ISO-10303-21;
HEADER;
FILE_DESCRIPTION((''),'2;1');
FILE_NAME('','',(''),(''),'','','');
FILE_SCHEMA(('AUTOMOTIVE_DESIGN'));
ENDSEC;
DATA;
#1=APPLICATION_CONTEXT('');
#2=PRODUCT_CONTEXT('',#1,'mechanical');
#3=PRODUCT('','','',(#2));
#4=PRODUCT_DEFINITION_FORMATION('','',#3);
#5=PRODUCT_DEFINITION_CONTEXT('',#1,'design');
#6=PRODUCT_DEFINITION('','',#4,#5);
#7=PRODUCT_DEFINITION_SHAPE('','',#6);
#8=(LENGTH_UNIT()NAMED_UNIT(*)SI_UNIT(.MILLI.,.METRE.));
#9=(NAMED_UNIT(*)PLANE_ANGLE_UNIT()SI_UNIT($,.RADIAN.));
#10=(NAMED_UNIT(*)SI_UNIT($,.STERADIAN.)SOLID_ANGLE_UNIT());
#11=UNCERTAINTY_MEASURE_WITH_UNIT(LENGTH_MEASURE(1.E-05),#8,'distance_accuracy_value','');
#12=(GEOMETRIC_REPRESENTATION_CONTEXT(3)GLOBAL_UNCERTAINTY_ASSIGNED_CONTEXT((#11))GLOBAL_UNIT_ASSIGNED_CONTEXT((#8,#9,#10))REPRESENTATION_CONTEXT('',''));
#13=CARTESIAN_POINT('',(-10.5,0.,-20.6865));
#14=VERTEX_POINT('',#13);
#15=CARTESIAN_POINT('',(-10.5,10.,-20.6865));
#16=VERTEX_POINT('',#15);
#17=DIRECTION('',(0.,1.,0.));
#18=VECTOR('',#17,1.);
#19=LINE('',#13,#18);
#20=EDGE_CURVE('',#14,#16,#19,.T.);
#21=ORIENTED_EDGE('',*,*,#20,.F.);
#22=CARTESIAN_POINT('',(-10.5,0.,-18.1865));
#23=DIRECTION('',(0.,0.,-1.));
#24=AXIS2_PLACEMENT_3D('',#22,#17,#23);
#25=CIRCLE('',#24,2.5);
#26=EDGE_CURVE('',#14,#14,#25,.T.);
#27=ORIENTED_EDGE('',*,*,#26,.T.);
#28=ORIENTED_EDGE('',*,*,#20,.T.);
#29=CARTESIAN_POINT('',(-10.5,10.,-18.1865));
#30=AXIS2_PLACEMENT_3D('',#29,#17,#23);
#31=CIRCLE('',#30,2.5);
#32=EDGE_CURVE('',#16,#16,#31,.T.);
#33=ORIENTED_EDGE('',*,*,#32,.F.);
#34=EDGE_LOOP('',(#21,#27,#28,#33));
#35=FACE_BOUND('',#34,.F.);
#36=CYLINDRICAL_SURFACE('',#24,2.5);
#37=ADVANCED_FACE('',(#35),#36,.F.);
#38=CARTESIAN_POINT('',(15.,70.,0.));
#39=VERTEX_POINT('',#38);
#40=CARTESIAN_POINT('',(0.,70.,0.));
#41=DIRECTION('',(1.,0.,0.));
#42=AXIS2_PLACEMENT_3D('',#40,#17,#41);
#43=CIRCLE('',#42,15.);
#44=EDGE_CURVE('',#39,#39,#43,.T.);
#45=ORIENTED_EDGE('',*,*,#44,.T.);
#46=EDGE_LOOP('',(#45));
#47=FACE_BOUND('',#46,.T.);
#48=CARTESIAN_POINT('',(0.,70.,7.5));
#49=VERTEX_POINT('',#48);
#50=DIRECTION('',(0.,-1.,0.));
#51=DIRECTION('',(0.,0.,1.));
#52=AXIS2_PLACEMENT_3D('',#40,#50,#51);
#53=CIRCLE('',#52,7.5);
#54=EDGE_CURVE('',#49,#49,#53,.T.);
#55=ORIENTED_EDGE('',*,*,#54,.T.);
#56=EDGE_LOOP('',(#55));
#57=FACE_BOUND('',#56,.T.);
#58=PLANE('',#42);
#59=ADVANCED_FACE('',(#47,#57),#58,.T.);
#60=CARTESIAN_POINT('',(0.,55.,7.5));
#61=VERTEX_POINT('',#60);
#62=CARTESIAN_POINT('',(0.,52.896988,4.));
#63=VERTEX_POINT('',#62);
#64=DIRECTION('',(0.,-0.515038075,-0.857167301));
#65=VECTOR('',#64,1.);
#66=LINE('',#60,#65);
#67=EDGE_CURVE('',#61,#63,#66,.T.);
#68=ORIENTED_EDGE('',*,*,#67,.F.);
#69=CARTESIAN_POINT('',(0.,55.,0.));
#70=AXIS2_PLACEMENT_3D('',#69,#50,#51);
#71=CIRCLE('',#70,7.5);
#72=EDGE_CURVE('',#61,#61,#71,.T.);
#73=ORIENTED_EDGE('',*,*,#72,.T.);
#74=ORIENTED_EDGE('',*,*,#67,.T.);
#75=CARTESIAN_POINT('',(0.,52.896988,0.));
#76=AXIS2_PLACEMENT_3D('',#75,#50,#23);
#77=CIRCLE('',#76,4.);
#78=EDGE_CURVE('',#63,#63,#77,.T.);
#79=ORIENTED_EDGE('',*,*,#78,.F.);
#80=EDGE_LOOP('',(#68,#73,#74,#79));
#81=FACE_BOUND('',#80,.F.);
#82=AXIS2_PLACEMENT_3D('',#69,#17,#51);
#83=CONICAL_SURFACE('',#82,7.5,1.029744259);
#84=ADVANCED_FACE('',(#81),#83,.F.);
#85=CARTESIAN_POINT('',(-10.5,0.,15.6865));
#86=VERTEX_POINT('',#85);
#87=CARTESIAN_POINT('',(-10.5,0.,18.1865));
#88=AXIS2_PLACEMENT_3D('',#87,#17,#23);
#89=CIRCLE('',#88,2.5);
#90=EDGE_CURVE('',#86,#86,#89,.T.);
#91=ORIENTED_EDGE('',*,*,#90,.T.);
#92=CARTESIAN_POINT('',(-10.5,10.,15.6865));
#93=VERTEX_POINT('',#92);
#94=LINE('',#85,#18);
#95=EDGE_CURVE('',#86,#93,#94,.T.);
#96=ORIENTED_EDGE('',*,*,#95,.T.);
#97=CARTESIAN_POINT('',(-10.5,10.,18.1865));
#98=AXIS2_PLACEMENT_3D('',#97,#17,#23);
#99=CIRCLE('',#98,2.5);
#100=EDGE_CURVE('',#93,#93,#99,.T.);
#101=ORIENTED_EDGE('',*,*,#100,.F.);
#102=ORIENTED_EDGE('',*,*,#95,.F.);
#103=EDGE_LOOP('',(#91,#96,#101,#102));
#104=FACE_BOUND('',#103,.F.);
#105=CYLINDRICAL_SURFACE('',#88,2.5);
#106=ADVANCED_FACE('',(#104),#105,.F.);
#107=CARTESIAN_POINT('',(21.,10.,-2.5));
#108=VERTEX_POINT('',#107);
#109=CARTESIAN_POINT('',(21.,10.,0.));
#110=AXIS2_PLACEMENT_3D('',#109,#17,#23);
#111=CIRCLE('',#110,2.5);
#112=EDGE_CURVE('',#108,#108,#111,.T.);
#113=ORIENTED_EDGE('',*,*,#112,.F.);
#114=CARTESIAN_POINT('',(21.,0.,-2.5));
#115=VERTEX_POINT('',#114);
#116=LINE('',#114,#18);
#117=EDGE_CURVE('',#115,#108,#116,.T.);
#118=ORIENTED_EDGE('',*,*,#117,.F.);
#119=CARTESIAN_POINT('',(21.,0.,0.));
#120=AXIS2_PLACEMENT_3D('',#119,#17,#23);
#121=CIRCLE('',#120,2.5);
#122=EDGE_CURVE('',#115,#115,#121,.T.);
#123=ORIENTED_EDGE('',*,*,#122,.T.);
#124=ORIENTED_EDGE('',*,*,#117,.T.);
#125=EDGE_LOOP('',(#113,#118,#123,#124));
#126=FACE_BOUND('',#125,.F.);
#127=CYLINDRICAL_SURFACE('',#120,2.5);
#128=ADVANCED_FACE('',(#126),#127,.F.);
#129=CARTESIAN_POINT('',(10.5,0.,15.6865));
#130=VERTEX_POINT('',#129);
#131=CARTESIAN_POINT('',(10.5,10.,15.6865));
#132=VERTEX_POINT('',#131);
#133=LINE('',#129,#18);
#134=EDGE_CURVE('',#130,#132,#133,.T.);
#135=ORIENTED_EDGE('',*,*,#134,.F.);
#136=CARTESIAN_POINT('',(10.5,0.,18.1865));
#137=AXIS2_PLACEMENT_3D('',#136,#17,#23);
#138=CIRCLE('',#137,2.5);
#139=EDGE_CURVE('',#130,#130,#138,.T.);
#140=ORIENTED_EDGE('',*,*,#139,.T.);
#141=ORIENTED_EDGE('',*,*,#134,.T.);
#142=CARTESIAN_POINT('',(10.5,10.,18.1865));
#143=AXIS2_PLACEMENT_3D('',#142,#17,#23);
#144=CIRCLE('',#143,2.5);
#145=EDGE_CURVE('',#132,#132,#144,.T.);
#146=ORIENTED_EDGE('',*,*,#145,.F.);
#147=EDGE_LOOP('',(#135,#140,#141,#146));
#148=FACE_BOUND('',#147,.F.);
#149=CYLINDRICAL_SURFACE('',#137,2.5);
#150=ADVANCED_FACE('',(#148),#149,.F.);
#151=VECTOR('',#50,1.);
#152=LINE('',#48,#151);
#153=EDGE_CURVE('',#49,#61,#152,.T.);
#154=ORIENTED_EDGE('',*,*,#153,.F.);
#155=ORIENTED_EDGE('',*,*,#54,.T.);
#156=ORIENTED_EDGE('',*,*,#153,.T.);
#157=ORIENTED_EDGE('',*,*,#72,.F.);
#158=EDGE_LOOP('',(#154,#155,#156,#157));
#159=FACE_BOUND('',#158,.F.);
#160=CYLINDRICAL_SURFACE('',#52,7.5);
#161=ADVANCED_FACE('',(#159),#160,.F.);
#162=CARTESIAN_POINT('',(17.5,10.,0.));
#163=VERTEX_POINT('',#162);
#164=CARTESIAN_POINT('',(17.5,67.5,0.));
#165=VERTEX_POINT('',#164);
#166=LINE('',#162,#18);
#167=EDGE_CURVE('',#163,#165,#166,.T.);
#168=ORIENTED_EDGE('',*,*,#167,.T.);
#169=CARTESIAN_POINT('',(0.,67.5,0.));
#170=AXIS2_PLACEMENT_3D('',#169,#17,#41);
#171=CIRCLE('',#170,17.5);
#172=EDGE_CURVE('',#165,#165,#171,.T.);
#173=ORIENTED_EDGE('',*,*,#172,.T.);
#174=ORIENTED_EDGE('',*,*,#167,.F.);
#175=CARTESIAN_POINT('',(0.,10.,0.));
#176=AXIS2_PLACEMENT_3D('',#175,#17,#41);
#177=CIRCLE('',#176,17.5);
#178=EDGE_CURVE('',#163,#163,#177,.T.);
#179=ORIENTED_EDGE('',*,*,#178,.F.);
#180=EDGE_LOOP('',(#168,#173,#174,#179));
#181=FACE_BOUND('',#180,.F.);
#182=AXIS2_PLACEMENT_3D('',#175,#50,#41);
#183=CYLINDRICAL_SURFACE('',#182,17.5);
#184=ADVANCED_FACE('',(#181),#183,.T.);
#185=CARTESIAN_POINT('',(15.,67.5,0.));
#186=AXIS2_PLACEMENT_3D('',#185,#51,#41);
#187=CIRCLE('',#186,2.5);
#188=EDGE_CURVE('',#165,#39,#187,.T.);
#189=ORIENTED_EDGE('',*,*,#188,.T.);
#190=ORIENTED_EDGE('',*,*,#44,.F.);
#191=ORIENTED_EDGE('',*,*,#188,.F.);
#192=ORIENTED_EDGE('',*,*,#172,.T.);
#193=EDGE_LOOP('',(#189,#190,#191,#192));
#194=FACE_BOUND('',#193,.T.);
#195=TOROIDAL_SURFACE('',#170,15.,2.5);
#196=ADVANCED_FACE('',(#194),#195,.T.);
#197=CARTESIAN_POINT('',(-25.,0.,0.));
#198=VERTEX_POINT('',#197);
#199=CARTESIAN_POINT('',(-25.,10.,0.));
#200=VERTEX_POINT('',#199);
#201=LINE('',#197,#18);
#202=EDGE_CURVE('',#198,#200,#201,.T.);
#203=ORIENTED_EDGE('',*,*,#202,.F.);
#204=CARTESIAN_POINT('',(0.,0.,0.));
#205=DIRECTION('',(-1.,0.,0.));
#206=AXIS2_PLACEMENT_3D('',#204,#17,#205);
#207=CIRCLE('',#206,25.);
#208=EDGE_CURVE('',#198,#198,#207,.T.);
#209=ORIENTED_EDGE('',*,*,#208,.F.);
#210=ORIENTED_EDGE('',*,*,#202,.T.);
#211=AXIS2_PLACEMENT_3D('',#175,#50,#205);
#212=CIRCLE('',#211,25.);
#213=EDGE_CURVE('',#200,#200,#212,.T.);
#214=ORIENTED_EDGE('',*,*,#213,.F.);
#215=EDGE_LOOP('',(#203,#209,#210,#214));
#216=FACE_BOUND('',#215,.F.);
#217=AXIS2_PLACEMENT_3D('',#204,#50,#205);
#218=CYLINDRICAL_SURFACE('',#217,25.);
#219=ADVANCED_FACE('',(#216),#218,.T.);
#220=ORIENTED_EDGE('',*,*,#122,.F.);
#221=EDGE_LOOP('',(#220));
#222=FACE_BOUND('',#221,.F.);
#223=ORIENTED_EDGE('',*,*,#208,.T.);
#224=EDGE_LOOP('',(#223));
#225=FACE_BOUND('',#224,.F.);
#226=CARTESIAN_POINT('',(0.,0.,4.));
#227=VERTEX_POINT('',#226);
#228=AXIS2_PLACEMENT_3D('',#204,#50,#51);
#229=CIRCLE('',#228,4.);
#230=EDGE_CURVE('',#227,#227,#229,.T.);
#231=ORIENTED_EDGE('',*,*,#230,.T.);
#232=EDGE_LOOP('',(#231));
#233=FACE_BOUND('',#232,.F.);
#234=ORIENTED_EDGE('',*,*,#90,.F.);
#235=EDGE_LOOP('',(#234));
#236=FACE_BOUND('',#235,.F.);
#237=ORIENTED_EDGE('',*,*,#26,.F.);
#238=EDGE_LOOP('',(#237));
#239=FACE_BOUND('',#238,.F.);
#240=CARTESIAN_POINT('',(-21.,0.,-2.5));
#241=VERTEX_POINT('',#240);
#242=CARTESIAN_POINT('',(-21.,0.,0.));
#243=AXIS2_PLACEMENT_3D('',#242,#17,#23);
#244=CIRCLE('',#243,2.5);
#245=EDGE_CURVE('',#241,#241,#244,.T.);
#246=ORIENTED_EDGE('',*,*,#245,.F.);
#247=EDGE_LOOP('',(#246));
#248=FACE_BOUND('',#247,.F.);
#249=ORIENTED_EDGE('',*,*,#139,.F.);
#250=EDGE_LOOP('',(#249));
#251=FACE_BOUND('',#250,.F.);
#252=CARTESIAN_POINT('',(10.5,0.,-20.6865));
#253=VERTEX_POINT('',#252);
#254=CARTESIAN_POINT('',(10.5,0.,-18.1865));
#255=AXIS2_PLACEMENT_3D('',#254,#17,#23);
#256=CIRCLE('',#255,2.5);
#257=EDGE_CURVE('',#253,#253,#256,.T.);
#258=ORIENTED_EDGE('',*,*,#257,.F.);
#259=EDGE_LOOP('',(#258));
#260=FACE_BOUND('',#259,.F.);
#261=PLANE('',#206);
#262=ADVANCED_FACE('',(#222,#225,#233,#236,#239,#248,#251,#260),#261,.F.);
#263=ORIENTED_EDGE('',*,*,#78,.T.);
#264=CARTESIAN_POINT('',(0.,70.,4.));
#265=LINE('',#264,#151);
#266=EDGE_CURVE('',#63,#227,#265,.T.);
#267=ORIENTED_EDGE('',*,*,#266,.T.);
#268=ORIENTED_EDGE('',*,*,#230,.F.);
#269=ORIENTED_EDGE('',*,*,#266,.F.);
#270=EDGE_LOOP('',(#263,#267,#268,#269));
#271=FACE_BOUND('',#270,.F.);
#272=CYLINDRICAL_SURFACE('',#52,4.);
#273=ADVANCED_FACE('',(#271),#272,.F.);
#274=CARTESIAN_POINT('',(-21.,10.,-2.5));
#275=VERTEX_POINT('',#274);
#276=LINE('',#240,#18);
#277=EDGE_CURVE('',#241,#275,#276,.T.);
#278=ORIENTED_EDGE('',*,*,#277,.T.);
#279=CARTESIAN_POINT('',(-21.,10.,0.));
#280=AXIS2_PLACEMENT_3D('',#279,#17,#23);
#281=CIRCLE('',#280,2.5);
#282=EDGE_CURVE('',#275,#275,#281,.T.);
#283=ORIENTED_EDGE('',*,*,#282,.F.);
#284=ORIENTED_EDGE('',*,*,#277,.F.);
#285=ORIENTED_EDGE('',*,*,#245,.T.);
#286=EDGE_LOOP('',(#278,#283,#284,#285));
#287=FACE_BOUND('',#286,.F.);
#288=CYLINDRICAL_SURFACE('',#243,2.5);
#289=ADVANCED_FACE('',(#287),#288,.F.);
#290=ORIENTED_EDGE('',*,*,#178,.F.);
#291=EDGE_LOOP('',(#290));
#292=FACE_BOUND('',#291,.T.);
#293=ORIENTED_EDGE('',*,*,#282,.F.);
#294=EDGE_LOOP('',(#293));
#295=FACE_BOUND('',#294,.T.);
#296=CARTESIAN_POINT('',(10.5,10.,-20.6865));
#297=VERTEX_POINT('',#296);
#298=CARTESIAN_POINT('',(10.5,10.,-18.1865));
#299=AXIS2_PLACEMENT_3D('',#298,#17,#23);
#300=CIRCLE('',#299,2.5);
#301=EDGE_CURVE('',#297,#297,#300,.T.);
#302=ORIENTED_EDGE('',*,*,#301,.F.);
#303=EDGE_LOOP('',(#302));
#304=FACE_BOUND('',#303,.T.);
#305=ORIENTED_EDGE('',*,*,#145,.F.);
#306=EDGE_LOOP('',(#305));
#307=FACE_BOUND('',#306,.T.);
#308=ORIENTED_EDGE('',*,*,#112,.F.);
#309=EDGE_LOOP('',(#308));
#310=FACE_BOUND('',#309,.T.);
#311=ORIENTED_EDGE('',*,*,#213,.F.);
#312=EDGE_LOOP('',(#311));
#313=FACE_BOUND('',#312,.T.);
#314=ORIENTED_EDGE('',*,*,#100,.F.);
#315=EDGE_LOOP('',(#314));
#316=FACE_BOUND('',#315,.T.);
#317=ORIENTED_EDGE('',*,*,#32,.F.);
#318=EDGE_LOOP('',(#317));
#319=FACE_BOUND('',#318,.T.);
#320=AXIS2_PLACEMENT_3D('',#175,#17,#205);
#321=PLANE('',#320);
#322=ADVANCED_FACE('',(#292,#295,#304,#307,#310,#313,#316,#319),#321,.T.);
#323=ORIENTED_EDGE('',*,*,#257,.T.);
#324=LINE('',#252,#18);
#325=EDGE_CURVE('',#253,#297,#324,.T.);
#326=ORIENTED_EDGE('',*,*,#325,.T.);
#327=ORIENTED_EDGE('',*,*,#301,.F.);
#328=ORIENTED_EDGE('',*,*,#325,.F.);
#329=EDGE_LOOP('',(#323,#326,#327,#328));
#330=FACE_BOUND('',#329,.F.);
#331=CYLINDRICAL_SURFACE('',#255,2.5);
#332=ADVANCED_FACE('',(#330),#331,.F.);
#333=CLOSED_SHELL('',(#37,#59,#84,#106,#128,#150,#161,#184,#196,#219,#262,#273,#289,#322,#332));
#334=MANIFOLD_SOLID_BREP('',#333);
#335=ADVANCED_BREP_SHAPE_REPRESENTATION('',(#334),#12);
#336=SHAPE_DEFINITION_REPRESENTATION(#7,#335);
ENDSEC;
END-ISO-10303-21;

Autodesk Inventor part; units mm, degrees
ref_plane "YZ Plane" through (0, 0, 0) normal (1, 0, 0) x (0, 1, 0)
sketch "Sketch1" plane through (0, 0, 0) normal (0, 1, 0) x (-1, 0, 0)
  circle A0 centre (0, 0) radius 25
  circle A1 centre (0, -30) radius 5
  circle A2 centre (30, 0) radius 5
  circle A3 centre (0, 30) radius 5
  circle A4 centre (-30, 0) radius 5
  dimension "d0" = 50
  dimension "d1" = 10
  dimension "d2" = 30
  dimension "d5" = 360
extrude "Extrusion1" add sketch "Sketch1" along normal blind 10 contours A0
thread "Thread1" size "M10x1.5" class "6H" standard "ANSI Metric M Profile" length 20
thread "Thread2" size "M10x1.5" class "6H" standard "ANSI Metric M Profile" length 20
thread "Thread3" size "M10x1.5" class "6H" standard "ANSI Metric M Profile" length 20
thread "Thread4" size "M10x1.5" class "6H" standard "ANSI Metric M Profile" length 20
sketch "Sketch2" plane through (0, 10, 0) normal (0, 1, 0) x (1, 0, 0)
  circle A0 centre (0, 0) radius 17.5
  dimension "d17" = 35
extrude "Extrusion2" add sketch "Sketch2" along normal blind 60
sketch "Sketch3" plane through (0, 70, 0) normal (0, 1, 0) x (1, 0, 0)
  circle A0 centre (0, 0) radius 10
  dimension "d20" = 20
hole "Hole1" at (0, 70, 0) direction (0, -1, 0) diameter 8 end through all
ref_plane "Work Plane1" through (0, 68, 0) normal (0, 1, 0) x (-1, 0, 0)
ref_plane "Work Plane2" through (0, 65, 0) normal (0, -1, 0) x (1, 0, 0)
sketch "Sketch6" plane through (0, 65, 0) normal (0, -1, 0) x (1, 0, 0)
  point P0 (0, 0)
fillet "Fillet2" radius 2.5 1 edges at (-17.5, 70, 0)
thread "Thread10" size "M15x1.5" class "6H" standard "ANSI Metric M Profile" length 16.401
sketch "Sketch9" plane through (0, 70, 0) normal (0, 1, 0) x (1, 0, 0)
  circle A0 centre (0, 0) radius 4 projected
  circle A1 centre (0, 0) radius 7.5
  dimension "d61" = 15
hole "Hole3" at (0, 70, 0) direction (0, -1, 0) diameter 15 depth 15 tip angle 118
thread "Thread11" size "M15x1.5" class "6H" standard "ANSI Metric M Profile" full length
sketch "Sketch10" plane through (0, 0, 0) normal (0, -1, 0) x (1, 0, 0)
  circle A0 centre (-21, 0) radius 2.75
  circle A1 centre (-10.5, -18.1865) radius 2.75
  circle A2 centre (10.5, -18.1865) radius 2.75
  circle A3 centre (21, 0) radius 2.75
  circle A4 centre (10.5, 18.1865) radius 2.75
  circle A5 centre (-10.5, 18.1865) radius 2.75
  point P0 (0, 0)
  dimension "d71" = 5.5
  dimension "d72" = 21
  dimension "d75" = 360
hole "Hole4" at (-21, 0, 0) at (-10.5, 0, 18.1865) at (10.5, 0, 18.1865) at (21, 0, 0) at (10.5, 0, -18.1865) at (-10.5, 0, -18.1865) direction (0, 1, 0) diameter 5 depth 10 tip angle 118
thread "Thread12" size "M5x0.8" class "6H" standard "ANSI Metric M Profile" full length
thread "Thread13" size "M5x0.8" class "6H" standard "ANSI Metric M Profile" full length
thread "Thread14" size "M5x0.8" class "6H" standard "ANSI Metric M Profile" full length
thread "Thread15" size "M5x0.8" class "6H" standard "ANSI Metric M Profile" full length
thread "Thread16" size "M5x0.8" class "6H" standard "ANSI Metric M Profile" full length
thread "Thread17" size "M5x0.8" class "6H" standard "ANSI Metric M Profile" full length
properties part number "pintle body" material "Aluminum 6061"
